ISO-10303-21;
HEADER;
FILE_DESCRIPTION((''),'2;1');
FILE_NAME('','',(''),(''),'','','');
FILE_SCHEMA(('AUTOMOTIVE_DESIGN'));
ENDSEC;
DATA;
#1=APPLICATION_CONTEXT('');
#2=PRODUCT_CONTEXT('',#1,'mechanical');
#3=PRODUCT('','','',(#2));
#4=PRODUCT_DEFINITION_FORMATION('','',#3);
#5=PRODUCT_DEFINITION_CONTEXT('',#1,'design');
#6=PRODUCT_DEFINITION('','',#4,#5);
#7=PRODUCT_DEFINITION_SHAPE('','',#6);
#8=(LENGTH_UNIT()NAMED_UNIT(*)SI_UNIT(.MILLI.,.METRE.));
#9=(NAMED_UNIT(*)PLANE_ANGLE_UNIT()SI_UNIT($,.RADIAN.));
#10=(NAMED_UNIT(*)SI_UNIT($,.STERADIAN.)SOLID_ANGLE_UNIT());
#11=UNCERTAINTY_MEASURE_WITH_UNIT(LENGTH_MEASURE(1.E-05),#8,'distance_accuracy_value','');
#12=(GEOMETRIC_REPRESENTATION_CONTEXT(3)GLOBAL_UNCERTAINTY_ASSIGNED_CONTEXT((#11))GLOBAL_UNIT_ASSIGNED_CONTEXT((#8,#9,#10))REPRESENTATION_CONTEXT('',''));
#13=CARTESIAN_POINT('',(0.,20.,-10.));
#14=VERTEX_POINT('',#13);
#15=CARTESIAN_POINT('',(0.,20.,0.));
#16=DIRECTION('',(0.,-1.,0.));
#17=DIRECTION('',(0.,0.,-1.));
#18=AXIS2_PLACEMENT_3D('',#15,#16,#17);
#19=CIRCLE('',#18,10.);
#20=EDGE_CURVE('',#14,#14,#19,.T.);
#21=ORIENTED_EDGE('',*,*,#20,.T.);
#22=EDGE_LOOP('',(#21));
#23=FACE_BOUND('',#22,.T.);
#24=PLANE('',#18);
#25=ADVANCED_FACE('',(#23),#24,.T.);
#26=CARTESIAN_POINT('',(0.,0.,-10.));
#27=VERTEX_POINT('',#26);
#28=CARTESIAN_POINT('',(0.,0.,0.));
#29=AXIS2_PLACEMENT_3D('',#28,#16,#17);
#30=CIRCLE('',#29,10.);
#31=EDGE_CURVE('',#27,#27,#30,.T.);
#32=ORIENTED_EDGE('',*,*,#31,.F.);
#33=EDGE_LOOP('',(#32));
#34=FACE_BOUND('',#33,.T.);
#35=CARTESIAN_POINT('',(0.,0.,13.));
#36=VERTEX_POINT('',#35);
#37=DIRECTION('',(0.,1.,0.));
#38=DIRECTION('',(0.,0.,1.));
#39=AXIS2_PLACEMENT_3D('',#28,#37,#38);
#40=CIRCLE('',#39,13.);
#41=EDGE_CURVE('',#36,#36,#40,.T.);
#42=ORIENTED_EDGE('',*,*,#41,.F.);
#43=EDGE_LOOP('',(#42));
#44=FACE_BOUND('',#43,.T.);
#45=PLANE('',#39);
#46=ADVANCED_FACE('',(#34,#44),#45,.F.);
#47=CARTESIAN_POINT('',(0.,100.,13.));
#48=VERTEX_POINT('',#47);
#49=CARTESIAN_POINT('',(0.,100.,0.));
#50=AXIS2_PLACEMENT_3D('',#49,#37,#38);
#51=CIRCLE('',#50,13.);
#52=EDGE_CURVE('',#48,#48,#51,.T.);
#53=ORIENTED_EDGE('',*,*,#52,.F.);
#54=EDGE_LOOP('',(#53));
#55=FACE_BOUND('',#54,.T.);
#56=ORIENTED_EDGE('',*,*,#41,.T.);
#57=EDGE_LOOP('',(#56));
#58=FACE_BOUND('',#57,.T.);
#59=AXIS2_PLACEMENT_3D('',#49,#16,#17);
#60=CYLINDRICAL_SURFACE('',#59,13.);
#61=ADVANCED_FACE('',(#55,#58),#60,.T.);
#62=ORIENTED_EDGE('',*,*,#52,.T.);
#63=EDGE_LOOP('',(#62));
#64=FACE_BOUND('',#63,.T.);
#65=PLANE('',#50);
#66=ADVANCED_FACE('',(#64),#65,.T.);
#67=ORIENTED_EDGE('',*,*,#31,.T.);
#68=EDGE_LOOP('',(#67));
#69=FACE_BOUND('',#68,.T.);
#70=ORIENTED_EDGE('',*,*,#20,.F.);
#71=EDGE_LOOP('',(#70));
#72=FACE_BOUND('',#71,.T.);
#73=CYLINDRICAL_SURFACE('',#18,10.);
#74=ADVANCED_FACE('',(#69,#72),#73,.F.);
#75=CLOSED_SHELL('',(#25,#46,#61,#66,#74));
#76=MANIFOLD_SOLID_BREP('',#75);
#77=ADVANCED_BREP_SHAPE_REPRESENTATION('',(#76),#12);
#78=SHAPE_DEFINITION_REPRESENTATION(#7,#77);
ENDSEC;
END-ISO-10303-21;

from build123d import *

# Parameters (mm, degrees)
SKETCH1_R           = 13
BOSS_EXTRUDE1_DEPTH = 100
SKETCH2_R           = 10
SKETCH2_R_2         = 5
CUT_EXTRUDE1_DEPTH  = 20


with BuildPart() as part:
    # Sketch1 → Boss-Extrude1 (new body)
    with BuildSketch(Plane(origin=(0, 0, 0), x_dir=(1, 0, 0), z_dir=(0, 1, 0))):
        with Locations(Location((0, 0, 0), (0, 0, 270))):
            Circle(SKETCH1_R)
    extrude(amount=BOSS_EXTRUDE1_DEPTH)

    # Sketch2 → Cut-Extrude1 (cut)
    with BuildSketch(Plane.XZ):
        with Locations(Location((0, 0, 0), (0, 0, 270))):
            Circle(SKETCH2_R)
        with Locations((0, 22)):
            Circle(SKETCH2_R_2)
        with Locations((0, -22)):
            Circle(SKETCH2_R_2)
    extrude(amount=-CUT_EXTRUDE1_DEPTH, mode=Mode.SUBTRACT)


solid = part.part
